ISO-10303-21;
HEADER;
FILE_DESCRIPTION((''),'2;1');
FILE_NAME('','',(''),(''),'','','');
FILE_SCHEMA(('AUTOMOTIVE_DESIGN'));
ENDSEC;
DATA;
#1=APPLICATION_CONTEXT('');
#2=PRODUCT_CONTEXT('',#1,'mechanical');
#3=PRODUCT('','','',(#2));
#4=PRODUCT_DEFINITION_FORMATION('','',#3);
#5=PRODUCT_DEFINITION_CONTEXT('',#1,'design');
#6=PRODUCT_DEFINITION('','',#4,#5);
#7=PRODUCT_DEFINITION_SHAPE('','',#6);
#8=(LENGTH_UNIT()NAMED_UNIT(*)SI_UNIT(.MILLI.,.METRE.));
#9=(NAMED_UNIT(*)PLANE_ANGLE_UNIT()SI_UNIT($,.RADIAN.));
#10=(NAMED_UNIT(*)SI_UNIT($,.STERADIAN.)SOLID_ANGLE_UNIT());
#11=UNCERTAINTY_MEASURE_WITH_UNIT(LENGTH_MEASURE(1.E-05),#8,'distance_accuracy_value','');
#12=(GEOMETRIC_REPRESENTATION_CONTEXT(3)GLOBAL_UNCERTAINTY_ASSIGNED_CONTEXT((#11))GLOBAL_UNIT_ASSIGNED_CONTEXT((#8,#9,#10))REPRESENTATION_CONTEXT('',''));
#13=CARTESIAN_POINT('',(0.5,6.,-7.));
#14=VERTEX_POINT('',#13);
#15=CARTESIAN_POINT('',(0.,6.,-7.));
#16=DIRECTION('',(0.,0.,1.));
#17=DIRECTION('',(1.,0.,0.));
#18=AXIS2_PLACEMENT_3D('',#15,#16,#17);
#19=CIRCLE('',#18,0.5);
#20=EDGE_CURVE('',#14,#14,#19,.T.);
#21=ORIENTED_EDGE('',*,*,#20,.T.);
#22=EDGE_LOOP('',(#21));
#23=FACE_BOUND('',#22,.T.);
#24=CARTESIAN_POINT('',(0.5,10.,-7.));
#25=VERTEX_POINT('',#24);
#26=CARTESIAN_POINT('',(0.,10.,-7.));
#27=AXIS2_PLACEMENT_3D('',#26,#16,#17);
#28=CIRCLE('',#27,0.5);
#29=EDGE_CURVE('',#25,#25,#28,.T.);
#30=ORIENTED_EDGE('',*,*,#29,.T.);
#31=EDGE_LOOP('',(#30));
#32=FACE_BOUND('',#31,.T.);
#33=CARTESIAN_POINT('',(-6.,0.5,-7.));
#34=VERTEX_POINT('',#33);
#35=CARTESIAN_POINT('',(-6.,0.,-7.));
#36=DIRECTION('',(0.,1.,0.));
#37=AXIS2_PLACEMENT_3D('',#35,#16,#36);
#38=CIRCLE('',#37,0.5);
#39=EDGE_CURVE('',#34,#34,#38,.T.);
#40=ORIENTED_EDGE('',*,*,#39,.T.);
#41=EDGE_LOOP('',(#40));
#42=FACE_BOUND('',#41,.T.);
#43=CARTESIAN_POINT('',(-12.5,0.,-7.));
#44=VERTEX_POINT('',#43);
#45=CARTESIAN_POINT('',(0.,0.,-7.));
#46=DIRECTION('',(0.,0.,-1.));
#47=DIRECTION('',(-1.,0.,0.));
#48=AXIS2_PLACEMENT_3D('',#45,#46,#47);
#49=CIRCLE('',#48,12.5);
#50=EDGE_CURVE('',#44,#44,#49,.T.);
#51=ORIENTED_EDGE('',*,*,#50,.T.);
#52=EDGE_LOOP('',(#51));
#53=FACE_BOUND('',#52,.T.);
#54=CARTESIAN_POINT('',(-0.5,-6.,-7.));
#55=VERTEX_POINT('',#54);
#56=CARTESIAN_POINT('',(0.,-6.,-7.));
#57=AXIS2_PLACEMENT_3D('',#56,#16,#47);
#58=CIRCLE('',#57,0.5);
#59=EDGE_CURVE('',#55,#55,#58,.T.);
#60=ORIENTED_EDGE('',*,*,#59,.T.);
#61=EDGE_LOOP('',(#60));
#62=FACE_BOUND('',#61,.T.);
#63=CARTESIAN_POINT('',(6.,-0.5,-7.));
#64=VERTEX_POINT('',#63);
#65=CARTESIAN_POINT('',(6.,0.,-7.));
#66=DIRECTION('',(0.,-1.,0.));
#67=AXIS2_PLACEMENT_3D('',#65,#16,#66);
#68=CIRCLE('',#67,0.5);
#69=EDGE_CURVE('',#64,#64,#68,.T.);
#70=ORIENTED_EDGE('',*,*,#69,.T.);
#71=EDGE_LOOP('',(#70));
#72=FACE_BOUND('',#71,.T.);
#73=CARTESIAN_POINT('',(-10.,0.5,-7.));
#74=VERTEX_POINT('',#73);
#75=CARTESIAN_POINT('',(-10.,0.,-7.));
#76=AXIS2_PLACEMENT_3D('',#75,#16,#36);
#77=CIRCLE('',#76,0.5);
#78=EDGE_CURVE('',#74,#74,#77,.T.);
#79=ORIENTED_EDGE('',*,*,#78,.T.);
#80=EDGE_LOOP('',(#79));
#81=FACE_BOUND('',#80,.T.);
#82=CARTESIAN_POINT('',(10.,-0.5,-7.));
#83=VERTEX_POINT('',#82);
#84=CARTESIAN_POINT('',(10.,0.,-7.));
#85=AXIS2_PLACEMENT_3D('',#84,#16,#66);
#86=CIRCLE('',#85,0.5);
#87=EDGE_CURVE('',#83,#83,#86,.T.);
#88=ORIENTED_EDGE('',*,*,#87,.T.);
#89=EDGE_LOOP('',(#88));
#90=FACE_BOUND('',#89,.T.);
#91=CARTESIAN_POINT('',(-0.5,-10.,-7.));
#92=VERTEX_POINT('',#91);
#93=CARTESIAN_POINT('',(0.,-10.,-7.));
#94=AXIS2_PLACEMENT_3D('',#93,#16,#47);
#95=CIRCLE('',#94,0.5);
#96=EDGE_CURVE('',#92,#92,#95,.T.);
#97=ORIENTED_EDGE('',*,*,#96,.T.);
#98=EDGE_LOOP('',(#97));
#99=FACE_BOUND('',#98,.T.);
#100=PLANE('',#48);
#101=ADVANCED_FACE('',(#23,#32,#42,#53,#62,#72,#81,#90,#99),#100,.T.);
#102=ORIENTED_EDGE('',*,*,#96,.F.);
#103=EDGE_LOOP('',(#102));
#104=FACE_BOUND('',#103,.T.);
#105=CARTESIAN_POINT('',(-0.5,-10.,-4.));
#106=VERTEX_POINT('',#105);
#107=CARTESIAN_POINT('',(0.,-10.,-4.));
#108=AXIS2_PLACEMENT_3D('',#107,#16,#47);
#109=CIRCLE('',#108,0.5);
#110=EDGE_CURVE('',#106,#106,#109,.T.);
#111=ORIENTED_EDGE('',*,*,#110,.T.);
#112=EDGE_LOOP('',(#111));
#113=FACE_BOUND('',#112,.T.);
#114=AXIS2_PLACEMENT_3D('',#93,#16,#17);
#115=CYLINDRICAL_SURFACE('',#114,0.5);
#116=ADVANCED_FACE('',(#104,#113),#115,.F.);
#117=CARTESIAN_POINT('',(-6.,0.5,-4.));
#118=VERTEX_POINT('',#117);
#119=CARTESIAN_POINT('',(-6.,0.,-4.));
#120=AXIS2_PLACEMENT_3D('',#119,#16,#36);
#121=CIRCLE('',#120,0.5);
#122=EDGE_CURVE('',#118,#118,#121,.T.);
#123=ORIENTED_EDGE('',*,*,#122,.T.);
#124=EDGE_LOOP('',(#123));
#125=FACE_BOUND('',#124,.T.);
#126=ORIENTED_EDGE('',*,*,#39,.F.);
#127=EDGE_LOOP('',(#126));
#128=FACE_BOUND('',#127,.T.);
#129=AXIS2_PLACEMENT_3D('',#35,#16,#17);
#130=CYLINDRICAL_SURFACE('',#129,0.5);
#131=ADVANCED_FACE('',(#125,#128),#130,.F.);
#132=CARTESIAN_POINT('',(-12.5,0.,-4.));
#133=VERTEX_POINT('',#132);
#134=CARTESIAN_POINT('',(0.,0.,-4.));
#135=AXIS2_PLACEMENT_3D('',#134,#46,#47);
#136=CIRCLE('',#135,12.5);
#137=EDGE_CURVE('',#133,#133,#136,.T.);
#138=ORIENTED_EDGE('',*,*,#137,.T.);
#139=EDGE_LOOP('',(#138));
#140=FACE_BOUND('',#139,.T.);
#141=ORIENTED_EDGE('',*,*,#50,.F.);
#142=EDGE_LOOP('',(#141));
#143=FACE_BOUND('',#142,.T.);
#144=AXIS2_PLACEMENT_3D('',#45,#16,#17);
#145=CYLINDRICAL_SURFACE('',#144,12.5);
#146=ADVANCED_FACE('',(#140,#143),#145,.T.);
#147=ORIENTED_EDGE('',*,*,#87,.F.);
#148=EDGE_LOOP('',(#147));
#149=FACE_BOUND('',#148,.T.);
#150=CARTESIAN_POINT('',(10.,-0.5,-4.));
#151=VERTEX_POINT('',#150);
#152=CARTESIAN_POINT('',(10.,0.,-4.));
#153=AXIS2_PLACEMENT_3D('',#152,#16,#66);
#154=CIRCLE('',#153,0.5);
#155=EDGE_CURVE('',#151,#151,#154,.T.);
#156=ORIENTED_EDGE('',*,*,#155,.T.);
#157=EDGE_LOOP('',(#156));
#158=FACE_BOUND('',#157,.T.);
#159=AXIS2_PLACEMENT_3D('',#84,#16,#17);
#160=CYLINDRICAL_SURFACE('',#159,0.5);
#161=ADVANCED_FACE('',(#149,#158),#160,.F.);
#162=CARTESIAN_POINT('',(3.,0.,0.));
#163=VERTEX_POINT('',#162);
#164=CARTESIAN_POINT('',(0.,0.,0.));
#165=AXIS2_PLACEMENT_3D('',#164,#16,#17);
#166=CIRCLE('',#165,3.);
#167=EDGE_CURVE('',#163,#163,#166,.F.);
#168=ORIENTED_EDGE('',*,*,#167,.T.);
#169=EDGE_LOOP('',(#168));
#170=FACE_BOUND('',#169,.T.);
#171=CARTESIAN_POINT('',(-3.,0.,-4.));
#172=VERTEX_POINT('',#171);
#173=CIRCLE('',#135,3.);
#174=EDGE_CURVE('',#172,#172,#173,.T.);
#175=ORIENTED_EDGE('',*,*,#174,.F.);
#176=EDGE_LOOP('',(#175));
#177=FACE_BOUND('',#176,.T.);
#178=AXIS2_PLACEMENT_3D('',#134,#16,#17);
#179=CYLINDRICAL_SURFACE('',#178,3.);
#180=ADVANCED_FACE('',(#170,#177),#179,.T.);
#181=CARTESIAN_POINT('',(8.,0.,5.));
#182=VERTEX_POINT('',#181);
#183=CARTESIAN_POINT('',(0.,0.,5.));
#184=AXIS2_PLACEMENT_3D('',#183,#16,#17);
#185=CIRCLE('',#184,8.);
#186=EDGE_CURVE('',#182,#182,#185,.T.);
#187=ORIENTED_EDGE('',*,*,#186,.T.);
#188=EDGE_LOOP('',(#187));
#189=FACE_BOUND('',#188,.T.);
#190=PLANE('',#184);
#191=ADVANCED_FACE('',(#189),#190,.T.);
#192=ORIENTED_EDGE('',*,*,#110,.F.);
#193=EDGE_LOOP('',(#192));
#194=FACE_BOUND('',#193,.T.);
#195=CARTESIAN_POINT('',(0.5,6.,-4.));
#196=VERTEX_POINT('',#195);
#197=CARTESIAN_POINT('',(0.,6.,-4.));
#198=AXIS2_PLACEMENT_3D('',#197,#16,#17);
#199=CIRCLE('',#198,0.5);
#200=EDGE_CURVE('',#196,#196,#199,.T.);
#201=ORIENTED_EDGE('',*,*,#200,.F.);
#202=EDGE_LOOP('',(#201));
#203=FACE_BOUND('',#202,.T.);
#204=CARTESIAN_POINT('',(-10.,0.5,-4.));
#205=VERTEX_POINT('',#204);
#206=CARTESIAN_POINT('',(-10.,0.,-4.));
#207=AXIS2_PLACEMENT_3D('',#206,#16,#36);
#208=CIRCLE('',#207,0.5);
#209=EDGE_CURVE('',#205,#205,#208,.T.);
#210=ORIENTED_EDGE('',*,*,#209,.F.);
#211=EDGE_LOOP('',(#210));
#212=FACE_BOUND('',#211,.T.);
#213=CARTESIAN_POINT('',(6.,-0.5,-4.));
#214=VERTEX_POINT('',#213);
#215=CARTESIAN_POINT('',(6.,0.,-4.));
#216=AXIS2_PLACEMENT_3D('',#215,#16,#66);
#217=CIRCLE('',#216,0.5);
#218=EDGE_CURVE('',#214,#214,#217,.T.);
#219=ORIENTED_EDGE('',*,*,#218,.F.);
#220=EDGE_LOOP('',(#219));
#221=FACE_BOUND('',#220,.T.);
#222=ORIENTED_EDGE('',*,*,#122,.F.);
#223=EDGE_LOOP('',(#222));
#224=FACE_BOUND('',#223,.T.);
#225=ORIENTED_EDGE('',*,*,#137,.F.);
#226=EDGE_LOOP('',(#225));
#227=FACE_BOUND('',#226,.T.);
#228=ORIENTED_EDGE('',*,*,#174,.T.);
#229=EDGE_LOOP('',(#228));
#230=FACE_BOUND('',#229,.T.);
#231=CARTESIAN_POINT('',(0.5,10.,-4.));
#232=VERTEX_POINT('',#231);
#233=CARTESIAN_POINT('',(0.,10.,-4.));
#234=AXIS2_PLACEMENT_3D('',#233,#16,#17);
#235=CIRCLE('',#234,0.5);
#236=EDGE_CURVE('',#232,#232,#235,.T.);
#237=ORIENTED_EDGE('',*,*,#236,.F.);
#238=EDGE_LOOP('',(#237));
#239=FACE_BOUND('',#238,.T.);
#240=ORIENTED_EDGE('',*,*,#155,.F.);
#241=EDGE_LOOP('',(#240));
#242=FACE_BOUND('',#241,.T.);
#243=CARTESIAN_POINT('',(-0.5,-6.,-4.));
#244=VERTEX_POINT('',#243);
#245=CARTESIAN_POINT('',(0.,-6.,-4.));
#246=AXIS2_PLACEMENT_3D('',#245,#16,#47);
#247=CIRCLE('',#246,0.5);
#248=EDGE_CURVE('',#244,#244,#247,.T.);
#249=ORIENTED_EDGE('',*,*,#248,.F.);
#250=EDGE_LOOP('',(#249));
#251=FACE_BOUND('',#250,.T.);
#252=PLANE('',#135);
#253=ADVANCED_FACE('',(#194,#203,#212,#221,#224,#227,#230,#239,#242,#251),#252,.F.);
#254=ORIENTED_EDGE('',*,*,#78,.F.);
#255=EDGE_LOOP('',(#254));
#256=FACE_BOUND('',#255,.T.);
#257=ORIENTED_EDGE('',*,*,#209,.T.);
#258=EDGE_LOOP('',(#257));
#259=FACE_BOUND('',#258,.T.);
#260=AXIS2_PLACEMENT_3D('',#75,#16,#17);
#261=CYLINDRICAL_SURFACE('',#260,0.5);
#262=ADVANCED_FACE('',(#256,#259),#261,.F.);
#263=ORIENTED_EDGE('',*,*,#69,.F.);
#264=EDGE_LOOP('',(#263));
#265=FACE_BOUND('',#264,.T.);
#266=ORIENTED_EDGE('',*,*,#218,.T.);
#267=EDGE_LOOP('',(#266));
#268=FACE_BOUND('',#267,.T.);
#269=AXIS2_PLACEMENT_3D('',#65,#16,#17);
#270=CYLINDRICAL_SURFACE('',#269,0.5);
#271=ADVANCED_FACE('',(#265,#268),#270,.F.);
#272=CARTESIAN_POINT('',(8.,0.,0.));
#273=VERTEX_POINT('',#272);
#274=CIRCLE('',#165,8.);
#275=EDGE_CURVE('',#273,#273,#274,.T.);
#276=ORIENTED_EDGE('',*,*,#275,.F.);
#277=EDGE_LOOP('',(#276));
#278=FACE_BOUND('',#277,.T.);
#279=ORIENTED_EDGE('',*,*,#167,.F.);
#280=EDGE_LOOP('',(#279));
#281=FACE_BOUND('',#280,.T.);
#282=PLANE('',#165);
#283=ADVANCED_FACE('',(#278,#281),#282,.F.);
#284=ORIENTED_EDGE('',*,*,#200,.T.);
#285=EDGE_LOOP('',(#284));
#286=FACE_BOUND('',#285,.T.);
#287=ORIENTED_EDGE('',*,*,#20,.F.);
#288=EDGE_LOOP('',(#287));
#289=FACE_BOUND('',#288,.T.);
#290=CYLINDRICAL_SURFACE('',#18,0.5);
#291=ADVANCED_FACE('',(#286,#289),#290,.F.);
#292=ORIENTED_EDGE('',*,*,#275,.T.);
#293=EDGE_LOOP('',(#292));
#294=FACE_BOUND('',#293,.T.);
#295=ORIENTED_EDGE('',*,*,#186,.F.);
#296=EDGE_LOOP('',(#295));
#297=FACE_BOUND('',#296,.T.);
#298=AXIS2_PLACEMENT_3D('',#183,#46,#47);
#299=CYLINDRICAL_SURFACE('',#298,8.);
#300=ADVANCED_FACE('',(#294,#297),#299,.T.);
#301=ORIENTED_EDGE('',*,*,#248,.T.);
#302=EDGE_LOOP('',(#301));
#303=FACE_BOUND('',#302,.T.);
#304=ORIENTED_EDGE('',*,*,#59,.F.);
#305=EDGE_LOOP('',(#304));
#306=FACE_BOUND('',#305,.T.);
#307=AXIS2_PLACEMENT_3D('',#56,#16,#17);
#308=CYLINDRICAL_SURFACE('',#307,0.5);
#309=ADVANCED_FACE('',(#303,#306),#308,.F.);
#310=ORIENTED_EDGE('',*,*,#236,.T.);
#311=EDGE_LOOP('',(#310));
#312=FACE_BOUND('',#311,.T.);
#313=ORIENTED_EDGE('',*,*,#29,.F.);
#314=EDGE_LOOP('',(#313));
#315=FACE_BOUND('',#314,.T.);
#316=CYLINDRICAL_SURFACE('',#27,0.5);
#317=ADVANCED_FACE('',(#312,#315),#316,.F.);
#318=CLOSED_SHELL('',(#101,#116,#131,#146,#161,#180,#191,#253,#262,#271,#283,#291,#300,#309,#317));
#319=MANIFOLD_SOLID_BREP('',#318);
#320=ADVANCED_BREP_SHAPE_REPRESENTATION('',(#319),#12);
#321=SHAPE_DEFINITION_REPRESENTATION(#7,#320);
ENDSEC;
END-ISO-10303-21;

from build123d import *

# Parameters (mm, degrees)
SKETCH1_R          = 8
EXTRUDE1_DEPTH     = 5
SKETCH2_R          = 3
EXTRUDE2_DEPTH     = 4
SKETCH3_R          = 12.5
EXTRUDE3_DEPTH     = 3
SKETCH4_R          = 0.5
CUT_EXTRUDE1_DEPTH = 4
CIRPATTERN1_COUNT  = 4


with BuildPart() as part:
    # Sketch1 → Extrude1 (new body)
    with BuildSketch(Plane.XY):
        Circle(SKETCH1_R)
    extrude(amount=EXTRUDE1_DEPTH)

    # Sketch2 → Extrude2 (add)
    with BuildSketch(Plane(origin=(0, 0, 0), x_dir=(-1, 0, 0), z_dir=(0, 0, -1))):
        with Locations(Location((0, 0, 0), (0, 0, 180))):  # turned: the seam where the file's is
            Circle(SKETCH2_R)
    extrude(amount=EXTRUDE2_DEPTH)

    # Sketch3 → Extrude3 (add)
    with BuildSketch(Plane(origin=(0, 0, -4), x_dir=(-1, 0, 0), z_dir=(0, 0, -1))):
        Circle(SKETCH3_R)
    extrude(amount=EXTRUDE3_DEPTH)

    # Sketch4 → Cut-Extrude1 (cut, through all)
    with BuildSketch(Plane.XY.offset(-4)):
        with Locations((0, 6)):
            Circle(SKETCH4_R)
        with Locations((0, 10)):
            Circle(SKETCH4_R)
    cut_extrude1 = extrude(amount=-CUT_EXTRUDE1_DEPTH, mode=Mode.SUBTRACT)

    # CirPattern1: Cut-Extrude1 ×4 about axis
    cirpattern1_axis = Axis((0, 0, 0), (0, 0, 1))
    for i in range(1, CIRPATTERN1_COUNT):
        add(cut_extrude1.rotate(cirpattern1_axis, i * 360 / CIRPATTERN1_COUNT), mode=Mode.SUBTRACT)


solid = part.part
